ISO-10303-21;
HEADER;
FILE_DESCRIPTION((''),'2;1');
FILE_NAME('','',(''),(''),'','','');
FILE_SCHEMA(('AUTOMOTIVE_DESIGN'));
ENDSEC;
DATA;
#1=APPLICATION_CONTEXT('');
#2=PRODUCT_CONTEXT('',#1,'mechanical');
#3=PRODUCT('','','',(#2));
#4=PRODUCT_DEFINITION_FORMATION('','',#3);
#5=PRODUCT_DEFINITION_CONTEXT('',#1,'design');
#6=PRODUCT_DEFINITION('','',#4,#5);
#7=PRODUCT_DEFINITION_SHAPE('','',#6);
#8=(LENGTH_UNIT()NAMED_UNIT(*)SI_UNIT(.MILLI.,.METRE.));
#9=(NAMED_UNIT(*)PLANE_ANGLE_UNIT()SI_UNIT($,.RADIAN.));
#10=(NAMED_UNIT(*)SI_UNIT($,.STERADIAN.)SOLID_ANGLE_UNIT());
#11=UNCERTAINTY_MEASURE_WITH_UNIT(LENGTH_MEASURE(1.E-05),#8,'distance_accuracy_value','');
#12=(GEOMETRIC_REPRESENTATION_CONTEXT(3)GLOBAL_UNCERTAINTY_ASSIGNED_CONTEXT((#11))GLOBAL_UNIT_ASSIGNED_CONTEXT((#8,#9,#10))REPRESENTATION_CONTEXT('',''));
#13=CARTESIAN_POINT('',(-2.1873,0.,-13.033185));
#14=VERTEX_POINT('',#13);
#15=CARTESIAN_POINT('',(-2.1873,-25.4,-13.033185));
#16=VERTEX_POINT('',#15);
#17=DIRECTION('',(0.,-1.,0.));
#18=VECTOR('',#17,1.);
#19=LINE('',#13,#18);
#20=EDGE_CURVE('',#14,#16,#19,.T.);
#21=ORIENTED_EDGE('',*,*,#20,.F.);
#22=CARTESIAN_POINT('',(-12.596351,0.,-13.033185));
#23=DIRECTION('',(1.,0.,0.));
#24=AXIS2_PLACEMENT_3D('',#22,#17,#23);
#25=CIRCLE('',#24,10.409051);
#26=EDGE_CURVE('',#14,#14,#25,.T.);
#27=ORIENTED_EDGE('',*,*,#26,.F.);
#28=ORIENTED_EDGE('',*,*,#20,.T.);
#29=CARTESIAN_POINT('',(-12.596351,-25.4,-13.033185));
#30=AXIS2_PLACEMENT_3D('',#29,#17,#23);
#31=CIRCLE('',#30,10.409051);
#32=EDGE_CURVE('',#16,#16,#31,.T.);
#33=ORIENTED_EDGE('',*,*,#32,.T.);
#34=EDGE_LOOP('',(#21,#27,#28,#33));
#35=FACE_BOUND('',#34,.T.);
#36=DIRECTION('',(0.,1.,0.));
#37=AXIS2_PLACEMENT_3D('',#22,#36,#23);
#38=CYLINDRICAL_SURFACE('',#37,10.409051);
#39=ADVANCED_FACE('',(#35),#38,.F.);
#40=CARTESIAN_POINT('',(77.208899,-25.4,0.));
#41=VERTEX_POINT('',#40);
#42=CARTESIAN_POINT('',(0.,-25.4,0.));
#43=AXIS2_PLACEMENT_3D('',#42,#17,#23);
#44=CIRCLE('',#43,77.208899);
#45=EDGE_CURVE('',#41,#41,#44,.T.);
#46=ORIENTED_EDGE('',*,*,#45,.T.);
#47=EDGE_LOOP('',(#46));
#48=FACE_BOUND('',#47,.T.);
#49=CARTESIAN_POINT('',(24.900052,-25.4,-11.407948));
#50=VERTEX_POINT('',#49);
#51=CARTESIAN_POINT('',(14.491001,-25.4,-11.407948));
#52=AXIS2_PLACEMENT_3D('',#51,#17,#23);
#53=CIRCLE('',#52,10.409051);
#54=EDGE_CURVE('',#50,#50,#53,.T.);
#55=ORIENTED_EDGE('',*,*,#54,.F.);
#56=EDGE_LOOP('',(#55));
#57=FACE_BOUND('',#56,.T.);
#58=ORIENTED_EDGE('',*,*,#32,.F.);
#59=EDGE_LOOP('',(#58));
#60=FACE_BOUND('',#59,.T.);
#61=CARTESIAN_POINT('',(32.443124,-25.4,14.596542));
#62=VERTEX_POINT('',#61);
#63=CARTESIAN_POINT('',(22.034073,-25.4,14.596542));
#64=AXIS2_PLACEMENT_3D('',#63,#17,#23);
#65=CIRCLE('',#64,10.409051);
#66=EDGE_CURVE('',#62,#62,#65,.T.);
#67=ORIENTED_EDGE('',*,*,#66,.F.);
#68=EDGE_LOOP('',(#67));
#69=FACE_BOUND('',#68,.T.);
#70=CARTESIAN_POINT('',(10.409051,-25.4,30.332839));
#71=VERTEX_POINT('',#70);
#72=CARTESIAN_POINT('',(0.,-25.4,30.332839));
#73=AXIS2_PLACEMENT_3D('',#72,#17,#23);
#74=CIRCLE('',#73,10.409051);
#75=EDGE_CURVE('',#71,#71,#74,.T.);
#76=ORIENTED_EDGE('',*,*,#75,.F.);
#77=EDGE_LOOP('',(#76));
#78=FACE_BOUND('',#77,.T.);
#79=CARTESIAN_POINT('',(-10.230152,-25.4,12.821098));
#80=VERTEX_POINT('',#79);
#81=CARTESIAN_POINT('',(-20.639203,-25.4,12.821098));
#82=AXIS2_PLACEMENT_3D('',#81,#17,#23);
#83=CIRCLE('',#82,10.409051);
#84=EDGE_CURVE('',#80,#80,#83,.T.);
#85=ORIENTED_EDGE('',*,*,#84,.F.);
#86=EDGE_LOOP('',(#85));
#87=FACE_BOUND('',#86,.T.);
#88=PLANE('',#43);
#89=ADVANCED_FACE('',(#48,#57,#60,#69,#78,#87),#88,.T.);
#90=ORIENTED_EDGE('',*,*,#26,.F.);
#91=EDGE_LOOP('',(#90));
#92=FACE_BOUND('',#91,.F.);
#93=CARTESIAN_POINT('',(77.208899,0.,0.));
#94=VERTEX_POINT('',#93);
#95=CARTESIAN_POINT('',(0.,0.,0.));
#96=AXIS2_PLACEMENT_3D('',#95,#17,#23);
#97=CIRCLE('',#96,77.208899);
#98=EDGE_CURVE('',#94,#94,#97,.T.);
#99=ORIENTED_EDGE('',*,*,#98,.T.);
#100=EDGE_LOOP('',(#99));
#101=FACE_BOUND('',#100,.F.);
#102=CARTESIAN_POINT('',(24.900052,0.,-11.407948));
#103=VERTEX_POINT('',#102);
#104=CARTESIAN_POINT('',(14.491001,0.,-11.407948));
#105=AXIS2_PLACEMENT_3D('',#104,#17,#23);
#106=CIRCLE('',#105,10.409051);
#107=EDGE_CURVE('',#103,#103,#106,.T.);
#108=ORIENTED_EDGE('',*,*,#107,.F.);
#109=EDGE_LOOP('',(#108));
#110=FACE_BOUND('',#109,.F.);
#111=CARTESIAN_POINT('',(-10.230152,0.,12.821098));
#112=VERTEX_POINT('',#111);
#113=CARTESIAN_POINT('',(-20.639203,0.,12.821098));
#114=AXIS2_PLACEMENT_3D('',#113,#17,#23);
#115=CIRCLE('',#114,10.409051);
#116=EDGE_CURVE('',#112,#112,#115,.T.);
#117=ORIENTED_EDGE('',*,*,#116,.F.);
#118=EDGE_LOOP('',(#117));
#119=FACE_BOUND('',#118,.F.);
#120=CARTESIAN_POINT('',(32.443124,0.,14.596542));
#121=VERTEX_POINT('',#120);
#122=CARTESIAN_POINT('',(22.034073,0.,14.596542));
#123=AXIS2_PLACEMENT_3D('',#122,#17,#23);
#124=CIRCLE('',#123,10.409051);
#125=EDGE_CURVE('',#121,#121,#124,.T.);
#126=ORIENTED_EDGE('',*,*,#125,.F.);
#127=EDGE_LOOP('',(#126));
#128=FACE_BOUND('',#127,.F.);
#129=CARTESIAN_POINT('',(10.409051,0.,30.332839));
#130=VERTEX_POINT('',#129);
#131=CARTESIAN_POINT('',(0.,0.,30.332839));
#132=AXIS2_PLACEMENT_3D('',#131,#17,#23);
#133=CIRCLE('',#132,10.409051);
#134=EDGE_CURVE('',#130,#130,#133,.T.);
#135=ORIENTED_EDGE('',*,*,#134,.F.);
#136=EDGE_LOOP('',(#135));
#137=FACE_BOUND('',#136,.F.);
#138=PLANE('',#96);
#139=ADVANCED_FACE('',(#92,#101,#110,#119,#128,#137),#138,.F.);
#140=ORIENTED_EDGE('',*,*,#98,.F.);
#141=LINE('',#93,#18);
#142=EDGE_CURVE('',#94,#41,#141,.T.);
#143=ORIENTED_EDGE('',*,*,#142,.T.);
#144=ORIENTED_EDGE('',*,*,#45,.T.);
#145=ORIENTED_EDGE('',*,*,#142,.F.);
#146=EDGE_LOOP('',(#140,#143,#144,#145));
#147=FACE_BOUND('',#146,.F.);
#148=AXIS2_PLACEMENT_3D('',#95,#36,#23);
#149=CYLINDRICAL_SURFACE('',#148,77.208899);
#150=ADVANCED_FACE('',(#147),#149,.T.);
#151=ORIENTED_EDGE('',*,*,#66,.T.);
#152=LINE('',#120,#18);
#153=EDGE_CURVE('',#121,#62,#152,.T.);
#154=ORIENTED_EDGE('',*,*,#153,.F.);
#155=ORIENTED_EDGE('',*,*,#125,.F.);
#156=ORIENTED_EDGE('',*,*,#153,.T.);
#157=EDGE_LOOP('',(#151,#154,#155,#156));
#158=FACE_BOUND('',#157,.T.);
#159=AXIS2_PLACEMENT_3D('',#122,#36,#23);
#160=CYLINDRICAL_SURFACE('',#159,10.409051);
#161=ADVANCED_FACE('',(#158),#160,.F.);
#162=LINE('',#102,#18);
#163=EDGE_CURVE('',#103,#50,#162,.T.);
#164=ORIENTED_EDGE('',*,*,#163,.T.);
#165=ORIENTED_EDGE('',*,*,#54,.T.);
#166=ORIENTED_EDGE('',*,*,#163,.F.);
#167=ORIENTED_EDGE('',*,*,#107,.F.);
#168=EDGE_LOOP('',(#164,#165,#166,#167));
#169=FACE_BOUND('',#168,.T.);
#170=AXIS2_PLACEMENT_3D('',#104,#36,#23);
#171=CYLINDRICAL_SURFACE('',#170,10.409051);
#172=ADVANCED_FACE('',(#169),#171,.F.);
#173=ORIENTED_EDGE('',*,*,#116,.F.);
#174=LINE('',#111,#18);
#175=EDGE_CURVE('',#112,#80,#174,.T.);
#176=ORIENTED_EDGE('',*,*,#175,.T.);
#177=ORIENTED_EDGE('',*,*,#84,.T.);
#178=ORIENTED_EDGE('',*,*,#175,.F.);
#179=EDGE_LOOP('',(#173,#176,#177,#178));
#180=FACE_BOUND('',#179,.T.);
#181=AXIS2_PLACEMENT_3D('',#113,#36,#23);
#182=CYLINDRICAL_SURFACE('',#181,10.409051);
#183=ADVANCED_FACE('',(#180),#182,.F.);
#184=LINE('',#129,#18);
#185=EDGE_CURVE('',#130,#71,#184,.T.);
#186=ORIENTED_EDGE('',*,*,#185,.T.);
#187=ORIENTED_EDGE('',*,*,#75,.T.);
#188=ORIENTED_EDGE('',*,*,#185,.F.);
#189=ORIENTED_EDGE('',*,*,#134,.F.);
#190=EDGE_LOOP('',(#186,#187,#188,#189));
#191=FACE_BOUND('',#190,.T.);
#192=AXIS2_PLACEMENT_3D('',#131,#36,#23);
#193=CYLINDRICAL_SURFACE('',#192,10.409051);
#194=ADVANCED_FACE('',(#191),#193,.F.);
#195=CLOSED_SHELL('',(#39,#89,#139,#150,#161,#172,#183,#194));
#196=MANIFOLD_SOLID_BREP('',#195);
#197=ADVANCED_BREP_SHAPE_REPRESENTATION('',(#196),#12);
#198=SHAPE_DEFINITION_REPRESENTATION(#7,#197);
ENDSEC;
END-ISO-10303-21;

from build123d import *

# Parameters (mm, degrees)
F0_R     = 77.208899
F0_R_2   = 10.409051
F1_DEPTH = 25.4


with BuildPart() as f1:
    # F0 (on Front) → F1 (new body)
    with BuildSketch(Plane.XZ):
        Circle(F0_R)
        with Locations((-12.596351, -13.033185)):
            Circle(F0_R_2, mode=Mode.SUBTRACT)
        with Locations((14.491001, -11.407948)):
            Circle(F0_R_2, mode=Mode.SUBTRACT)
        with Locations((-20.639203, 12.821098)):
            Circle(F0_R_2, mode=Mode.SUBTRACT)
        with Locations((22.034073, 14.596542)):
            Circle(F0_R_2, mode=Mode.SUBTRACT)
        with Locations((0, 30.332839)):
            Circle(F0_R_2, mode=Mode.SUBTRACT)
    extrude(amount=F1_DEPTH)


solid = f1.part
